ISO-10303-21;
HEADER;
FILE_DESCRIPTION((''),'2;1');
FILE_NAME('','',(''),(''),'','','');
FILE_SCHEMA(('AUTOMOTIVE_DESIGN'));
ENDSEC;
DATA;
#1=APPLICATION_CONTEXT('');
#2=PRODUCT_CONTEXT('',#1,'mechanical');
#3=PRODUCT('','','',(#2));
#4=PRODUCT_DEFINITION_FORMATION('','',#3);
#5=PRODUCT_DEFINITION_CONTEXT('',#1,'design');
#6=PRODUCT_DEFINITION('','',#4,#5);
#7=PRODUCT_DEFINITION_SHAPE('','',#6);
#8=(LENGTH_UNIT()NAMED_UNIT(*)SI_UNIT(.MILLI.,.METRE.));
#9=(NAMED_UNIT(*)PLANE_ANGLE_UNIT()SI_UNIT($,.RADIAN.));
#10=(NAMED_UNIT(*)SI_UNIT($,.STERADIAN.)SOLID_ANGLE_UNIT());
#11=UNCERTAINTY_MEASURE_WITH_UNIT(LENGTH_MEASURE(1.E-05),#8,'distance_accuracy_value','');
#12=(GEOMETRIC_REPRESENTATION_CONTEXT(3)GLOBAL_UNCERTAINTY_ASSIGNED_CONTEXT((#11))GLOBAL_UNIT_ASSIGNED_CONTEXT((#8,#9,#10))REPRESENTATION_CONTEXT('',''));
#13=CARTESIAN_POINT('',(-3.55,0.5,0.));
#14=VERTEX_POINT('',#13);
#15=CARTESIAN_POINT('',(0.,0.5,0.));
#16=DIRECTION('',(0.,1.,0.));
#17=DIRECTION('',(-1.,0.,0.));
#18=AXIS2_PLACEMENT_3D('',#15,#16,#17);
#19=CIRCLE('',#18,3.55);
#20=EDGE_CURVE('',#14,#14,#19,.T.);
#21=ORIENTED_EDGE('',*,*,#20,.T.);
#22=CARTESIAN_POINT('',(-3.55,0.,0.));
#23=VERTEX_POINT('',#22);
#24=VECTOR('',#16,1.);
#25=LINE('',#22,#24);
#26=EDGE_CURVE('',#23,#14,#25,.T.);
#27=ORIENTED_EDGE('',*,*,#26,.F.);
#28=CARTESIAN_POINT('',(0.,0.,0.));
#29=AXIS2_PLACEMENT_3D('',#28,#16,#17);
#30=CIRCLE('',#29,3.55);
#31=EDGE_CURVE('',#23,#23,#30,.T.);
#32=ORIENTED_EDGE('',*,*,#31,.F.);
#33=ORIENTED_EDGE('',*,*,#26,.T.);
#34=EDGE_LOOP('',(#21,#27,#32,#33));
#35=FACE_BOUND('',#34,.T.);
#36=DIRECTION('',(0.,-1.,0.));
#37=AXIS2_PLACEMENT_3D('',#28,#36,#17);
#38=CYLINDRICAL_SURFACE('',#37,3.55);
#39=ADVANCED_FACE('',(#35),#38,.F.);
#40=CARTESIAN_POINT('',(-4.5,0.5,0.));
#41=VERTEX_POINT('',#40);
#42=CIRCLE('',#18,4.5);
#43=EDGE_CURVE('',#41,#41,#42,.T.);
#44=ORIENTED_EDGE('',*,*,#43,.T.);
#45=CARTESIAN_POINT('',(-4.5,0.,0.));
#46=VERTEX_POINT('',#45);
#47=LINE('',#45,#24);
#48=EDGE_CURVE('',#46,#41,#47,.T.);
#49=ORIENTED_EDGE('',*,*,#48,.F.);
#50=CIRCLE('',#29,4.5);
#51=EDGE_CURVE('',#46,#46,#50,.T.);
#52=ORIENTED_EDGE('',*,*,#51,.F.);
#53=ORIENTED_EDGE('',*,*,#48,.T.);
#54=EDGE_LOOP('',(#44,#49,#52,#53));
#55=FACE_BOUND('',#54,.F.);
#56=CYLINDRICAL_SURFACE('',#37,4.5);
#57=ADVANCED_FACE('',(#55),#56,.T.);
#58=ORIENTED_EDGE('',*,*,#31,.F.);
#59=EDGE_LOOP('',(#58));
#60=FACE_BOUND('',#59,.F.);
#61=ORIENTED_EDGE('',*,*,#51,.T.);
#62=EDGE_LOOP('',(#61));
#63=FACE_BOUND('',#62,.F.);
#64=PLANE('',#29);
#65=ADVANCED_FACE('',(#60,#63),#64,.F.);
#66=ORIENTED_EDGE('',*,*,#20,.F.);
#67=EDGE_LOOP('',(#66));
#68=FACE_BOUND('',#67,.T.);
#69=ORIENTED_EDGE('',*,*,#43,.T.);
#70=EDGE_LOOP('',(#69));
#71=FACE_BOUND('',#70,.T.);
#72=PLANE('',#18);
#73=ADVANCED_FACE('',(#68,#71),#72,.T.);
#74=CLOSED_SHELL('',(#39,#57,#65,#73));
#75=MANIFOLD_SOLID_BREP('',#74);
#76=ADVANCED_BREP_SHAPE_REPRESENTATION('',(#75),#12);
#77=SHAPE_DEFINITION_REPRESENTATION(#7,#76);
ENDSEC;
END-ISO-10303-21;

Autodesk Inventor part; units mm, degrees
ref_plane "YZ Plane" through (0, 0, 0) normal (1, 0, 0) x (0, 1, 0)
ref_plane "XZ Plane" through (0, 0, 0) normal (0, 1, 0) x (-1, 0, 0)
ref_plane "XY Plane" through (0, 0, 0) normal (0, 0, 1) x (1, 0, 0)
sketch "Sketch1" plane through (0, 0, 0) normal (0, 1, 0) x (-1, 0, 0)
  circle A0 centre (0, 0) radius 3.55
  circle A1 centre (0, 0) radius 4.5
  dimension "d0" = 7.1
  dimension "d1" = 9
extrude "Extrusion1" add sketch "Sketch1" along normal blind 0.5
properties part number "OuterBearing Flanges"
